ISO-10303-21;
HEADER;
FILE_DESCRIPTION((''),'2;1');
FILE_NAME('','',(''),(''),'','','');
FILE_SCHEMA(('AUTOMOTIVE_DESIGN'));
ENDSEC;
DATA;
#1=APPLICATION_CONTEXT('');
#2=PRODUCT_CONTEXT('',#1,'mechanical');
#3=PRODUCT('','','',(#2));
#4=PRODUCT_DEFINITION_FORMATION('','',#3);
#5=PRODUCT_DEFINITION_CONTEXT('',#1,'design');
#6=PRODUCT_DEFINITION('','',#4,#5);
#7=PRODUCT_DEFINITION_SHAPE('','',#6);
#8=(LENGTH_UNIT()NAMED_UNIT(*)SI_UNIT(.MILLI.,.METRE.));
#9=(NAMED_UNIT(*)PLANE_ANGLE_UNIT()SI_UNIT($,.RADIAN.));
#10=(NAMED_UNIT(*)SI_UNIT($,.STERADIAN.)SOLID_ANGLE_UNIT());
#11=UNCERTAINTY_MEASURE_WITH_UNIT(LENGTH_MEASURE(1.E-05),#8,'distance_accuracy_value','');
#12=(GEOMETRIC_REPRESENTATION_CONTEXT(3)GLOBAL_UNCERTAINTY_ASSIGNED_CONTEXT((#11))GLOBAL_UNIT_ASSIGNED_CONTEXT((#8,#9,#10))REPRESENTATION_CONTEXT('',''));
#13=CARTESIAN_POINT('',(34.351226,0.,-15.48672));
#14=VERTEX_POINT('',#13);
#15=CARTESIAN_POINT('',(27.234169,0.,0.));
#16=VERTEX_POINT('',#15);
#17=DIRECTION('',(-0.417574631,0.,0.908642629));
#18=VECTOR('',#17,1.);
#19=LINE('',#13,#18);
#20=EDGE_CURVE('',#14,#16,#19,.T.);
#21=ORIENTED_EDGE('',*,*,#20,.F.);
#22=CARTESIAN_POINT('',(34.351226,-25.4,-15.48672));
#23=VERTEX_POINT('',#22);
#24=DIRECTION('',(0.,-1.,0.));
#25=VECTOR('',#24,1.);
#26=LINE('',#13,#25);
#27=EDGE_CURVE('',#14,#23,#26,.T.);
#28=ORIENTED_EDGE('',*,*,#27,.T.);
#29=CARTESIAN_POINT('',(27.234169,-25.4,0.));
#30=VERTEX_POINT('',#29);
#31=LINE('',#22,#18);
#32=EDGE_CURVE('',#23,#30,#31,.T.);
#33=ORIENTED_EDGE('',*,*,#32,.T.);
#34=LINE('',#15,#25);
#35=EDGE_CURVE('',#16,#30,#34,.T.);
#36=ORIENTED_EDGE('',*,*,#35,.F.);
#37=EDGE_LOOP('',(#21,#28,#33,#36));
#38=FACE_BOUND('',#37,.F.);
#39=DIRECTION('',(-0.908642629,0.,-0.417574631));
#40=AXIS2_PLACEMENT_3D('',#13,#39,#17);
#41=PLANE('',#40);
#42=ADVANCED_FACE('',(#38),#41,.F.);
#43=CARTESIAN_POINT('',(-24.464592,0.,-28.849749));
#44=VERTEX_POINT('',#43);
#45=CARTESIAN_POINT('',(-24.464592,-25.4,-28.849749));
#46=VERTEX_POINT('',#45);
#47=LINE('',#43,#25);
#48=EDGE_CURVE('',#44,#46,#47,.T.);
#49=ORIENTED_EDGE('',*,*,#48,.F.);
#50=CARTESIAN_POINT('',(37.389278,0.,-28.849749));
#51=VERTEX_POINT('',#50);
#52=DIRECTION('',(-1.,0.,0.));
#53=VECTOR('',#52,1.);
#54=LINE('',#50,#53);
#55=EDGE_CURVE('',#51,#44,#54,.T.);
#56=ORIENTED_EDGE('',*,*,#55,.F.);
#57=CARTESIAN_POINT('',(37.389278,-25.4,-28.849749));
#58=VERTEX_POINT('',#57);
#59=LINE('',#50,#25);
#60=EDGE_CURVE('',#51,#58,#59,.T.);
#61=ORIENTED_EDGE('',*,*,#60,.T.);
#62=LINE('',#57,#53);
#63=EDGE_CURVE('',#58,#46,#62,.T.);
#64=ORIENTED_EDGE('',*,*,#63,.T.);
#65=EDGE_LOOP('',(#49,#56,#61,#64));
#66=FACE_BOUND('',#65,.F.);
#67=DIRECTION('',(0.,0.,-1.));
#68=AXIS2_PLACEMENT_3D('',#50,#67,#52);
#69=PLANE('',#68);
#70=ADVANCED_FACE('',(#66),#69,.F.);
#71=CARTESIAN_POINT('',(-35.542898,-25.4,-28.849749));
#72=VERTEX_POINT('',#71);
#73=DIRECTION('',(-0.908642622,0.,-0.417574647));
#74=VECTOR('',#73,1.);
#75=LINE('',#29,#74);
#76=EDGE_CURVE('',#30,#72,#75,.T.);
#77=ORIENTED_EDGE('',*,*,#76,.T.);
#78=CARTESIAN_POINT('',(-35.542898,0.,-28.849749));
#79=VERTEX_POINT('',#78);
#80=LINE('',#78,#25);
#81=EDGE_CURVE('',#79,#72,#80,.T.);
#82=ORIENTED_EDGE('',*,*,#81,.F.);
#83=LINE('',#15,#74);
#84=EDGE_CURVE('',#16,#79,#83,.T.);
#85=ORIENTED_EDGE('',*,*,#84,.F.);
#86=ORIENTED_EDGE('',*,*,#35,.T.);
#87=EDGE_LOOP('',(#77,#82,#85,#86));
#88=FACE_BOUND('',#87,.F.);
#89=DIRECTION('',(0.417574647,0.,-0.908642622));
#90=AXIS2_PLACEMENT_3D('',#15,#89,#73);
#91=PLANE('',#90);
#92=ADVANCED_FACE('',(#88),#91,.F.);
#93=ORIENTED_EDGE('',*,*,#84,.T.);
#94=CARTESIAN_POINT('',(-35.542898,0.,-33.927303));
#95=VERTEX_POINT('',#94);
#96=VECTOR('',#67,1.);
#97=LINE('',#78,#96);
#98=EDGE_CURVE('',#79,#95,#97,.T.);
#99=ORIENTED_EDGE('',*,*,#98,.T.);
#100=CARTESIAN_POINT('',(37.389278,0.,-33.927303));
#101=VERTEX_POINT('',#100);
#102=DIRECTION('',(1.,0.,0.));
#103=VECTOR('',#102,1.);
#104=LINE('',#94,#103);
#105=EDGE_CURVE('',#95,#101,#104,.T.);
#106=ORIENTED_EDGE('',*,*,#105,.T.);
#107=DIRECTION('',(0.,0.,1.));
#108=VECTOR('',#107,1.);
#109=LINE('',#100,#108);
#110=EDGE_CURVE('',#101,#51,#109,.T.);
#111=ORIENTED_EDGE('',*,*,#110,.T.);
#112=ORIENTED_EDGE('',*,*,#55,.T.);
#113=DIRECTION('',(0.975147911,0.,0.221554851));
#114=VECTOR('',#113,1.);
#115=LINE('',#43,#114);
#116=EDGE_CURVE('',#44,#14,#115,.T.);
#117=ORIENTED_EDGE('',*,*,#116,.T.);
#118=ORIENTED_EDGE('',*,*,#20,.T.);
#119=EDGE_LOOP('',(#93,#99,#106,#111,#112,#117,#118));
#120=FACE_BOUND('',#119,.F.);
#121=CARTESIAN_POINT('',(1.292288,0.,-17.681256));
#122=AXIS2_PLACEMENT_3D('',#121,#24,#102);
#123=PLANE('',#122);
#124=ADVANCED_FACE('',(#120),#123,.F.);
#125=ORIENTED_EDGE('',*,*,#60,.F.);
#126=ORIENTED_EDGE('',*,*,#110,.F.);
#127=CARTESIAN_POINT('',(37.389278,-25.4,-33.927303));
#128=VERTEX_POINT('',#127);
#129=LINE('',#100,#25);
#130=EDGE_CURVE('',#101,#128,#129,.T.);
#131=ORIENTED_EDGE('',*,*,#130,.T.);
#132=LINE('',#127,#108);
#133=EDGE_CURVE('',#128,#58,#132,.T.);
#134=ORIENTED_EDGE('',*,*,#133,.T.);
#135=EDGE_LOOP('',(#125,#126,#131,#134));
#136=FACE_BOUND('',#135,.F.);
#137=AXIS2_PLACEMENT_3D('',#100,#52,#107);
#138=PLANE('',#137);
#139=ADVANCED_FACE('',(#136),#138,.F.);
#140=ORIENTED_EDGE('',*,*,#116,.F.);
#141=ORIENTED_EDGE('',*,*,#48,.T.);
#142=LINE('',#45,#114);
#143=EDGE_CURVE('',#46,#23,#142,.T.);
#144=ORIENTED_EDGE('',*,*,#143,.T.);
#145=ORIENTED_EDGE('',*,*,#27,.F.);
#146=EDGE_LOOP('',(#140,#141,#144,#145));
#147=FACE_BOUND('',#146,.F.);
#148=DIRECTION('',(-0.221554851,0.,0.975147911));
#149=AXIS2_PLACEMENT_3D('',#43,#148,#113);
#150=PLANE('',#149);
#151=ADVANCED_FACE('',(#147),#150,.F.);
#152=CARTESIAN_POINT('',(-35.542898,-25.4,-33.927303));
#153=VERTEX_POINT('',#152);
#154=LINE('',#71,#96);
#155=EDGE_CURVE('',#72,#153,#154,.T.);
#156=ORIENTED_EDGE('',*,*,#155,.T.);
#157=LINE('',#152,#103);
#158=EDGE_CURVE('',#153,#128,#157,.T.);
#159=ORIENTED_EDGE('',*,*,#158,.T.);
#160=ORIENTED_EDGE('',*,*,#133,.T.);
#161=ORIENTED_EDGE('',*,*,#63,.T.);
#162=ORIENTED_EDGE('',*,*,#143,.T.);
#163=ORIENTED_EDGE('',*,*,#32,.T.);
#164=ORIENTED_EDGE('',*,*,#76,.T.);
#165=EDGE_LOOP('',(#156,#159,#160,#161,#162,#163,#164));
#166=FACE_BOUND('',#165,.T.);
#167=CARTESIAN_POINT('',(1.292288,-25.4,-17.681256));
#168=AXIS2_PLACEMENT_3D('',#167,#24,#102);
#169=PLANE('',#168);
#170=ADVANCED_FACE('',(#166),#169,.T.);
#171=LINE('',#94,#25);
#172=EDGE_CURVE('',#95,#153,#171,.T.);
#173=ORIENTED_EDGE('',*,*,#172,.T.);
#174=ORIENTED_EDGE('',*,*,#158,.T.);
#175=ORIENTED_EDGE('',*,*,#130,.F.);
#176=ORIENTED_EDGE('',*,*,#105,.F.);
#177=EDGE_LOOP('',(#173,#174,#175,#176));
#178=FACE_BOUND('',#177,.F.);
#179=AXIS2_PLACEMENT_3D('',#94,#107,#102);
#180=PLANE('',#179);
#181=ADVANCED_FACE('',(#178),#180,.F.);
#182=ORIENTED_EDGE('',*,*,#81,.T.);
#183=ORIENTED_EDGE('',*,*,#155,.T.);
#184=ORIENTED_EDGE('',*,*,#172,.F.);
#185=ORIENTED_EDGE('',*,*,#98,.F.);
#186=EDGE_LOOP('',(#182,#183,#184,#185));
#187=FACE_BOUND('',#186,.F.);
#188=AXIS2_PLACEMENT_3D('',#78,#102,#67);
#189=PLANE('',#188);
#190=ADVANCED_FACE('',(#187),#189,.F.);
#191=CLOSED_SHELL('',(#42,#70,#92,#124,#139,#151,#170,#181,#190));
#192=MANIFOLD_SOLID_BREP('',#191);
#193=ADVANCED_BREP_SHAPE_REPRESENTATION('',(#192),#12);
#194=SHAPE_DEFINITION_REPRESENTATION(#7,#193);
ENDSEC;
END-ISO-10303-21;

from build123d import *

# Parameters (mm, degrees)
F1_DEPTH = 25.4


with BuildPart() as f1:
    # F0 (on Front) → F1 (new body)
    with BuildSketch(Plane.XZ):
        Polygon((27.234169, 0), (-35.542898, -28.849749), (-24.464592, -28.849749), (34.351226, -15.48672), align=None)
        Polygon((-35.542898, -28.849749), (-35.542898, -33.927303), (37.389278, -33.927303), (37.389278, -28.849749), (-24.464592, -28.849749), align=None)
    extrude(amount=F1_DEPTH)


solid = f1.part
